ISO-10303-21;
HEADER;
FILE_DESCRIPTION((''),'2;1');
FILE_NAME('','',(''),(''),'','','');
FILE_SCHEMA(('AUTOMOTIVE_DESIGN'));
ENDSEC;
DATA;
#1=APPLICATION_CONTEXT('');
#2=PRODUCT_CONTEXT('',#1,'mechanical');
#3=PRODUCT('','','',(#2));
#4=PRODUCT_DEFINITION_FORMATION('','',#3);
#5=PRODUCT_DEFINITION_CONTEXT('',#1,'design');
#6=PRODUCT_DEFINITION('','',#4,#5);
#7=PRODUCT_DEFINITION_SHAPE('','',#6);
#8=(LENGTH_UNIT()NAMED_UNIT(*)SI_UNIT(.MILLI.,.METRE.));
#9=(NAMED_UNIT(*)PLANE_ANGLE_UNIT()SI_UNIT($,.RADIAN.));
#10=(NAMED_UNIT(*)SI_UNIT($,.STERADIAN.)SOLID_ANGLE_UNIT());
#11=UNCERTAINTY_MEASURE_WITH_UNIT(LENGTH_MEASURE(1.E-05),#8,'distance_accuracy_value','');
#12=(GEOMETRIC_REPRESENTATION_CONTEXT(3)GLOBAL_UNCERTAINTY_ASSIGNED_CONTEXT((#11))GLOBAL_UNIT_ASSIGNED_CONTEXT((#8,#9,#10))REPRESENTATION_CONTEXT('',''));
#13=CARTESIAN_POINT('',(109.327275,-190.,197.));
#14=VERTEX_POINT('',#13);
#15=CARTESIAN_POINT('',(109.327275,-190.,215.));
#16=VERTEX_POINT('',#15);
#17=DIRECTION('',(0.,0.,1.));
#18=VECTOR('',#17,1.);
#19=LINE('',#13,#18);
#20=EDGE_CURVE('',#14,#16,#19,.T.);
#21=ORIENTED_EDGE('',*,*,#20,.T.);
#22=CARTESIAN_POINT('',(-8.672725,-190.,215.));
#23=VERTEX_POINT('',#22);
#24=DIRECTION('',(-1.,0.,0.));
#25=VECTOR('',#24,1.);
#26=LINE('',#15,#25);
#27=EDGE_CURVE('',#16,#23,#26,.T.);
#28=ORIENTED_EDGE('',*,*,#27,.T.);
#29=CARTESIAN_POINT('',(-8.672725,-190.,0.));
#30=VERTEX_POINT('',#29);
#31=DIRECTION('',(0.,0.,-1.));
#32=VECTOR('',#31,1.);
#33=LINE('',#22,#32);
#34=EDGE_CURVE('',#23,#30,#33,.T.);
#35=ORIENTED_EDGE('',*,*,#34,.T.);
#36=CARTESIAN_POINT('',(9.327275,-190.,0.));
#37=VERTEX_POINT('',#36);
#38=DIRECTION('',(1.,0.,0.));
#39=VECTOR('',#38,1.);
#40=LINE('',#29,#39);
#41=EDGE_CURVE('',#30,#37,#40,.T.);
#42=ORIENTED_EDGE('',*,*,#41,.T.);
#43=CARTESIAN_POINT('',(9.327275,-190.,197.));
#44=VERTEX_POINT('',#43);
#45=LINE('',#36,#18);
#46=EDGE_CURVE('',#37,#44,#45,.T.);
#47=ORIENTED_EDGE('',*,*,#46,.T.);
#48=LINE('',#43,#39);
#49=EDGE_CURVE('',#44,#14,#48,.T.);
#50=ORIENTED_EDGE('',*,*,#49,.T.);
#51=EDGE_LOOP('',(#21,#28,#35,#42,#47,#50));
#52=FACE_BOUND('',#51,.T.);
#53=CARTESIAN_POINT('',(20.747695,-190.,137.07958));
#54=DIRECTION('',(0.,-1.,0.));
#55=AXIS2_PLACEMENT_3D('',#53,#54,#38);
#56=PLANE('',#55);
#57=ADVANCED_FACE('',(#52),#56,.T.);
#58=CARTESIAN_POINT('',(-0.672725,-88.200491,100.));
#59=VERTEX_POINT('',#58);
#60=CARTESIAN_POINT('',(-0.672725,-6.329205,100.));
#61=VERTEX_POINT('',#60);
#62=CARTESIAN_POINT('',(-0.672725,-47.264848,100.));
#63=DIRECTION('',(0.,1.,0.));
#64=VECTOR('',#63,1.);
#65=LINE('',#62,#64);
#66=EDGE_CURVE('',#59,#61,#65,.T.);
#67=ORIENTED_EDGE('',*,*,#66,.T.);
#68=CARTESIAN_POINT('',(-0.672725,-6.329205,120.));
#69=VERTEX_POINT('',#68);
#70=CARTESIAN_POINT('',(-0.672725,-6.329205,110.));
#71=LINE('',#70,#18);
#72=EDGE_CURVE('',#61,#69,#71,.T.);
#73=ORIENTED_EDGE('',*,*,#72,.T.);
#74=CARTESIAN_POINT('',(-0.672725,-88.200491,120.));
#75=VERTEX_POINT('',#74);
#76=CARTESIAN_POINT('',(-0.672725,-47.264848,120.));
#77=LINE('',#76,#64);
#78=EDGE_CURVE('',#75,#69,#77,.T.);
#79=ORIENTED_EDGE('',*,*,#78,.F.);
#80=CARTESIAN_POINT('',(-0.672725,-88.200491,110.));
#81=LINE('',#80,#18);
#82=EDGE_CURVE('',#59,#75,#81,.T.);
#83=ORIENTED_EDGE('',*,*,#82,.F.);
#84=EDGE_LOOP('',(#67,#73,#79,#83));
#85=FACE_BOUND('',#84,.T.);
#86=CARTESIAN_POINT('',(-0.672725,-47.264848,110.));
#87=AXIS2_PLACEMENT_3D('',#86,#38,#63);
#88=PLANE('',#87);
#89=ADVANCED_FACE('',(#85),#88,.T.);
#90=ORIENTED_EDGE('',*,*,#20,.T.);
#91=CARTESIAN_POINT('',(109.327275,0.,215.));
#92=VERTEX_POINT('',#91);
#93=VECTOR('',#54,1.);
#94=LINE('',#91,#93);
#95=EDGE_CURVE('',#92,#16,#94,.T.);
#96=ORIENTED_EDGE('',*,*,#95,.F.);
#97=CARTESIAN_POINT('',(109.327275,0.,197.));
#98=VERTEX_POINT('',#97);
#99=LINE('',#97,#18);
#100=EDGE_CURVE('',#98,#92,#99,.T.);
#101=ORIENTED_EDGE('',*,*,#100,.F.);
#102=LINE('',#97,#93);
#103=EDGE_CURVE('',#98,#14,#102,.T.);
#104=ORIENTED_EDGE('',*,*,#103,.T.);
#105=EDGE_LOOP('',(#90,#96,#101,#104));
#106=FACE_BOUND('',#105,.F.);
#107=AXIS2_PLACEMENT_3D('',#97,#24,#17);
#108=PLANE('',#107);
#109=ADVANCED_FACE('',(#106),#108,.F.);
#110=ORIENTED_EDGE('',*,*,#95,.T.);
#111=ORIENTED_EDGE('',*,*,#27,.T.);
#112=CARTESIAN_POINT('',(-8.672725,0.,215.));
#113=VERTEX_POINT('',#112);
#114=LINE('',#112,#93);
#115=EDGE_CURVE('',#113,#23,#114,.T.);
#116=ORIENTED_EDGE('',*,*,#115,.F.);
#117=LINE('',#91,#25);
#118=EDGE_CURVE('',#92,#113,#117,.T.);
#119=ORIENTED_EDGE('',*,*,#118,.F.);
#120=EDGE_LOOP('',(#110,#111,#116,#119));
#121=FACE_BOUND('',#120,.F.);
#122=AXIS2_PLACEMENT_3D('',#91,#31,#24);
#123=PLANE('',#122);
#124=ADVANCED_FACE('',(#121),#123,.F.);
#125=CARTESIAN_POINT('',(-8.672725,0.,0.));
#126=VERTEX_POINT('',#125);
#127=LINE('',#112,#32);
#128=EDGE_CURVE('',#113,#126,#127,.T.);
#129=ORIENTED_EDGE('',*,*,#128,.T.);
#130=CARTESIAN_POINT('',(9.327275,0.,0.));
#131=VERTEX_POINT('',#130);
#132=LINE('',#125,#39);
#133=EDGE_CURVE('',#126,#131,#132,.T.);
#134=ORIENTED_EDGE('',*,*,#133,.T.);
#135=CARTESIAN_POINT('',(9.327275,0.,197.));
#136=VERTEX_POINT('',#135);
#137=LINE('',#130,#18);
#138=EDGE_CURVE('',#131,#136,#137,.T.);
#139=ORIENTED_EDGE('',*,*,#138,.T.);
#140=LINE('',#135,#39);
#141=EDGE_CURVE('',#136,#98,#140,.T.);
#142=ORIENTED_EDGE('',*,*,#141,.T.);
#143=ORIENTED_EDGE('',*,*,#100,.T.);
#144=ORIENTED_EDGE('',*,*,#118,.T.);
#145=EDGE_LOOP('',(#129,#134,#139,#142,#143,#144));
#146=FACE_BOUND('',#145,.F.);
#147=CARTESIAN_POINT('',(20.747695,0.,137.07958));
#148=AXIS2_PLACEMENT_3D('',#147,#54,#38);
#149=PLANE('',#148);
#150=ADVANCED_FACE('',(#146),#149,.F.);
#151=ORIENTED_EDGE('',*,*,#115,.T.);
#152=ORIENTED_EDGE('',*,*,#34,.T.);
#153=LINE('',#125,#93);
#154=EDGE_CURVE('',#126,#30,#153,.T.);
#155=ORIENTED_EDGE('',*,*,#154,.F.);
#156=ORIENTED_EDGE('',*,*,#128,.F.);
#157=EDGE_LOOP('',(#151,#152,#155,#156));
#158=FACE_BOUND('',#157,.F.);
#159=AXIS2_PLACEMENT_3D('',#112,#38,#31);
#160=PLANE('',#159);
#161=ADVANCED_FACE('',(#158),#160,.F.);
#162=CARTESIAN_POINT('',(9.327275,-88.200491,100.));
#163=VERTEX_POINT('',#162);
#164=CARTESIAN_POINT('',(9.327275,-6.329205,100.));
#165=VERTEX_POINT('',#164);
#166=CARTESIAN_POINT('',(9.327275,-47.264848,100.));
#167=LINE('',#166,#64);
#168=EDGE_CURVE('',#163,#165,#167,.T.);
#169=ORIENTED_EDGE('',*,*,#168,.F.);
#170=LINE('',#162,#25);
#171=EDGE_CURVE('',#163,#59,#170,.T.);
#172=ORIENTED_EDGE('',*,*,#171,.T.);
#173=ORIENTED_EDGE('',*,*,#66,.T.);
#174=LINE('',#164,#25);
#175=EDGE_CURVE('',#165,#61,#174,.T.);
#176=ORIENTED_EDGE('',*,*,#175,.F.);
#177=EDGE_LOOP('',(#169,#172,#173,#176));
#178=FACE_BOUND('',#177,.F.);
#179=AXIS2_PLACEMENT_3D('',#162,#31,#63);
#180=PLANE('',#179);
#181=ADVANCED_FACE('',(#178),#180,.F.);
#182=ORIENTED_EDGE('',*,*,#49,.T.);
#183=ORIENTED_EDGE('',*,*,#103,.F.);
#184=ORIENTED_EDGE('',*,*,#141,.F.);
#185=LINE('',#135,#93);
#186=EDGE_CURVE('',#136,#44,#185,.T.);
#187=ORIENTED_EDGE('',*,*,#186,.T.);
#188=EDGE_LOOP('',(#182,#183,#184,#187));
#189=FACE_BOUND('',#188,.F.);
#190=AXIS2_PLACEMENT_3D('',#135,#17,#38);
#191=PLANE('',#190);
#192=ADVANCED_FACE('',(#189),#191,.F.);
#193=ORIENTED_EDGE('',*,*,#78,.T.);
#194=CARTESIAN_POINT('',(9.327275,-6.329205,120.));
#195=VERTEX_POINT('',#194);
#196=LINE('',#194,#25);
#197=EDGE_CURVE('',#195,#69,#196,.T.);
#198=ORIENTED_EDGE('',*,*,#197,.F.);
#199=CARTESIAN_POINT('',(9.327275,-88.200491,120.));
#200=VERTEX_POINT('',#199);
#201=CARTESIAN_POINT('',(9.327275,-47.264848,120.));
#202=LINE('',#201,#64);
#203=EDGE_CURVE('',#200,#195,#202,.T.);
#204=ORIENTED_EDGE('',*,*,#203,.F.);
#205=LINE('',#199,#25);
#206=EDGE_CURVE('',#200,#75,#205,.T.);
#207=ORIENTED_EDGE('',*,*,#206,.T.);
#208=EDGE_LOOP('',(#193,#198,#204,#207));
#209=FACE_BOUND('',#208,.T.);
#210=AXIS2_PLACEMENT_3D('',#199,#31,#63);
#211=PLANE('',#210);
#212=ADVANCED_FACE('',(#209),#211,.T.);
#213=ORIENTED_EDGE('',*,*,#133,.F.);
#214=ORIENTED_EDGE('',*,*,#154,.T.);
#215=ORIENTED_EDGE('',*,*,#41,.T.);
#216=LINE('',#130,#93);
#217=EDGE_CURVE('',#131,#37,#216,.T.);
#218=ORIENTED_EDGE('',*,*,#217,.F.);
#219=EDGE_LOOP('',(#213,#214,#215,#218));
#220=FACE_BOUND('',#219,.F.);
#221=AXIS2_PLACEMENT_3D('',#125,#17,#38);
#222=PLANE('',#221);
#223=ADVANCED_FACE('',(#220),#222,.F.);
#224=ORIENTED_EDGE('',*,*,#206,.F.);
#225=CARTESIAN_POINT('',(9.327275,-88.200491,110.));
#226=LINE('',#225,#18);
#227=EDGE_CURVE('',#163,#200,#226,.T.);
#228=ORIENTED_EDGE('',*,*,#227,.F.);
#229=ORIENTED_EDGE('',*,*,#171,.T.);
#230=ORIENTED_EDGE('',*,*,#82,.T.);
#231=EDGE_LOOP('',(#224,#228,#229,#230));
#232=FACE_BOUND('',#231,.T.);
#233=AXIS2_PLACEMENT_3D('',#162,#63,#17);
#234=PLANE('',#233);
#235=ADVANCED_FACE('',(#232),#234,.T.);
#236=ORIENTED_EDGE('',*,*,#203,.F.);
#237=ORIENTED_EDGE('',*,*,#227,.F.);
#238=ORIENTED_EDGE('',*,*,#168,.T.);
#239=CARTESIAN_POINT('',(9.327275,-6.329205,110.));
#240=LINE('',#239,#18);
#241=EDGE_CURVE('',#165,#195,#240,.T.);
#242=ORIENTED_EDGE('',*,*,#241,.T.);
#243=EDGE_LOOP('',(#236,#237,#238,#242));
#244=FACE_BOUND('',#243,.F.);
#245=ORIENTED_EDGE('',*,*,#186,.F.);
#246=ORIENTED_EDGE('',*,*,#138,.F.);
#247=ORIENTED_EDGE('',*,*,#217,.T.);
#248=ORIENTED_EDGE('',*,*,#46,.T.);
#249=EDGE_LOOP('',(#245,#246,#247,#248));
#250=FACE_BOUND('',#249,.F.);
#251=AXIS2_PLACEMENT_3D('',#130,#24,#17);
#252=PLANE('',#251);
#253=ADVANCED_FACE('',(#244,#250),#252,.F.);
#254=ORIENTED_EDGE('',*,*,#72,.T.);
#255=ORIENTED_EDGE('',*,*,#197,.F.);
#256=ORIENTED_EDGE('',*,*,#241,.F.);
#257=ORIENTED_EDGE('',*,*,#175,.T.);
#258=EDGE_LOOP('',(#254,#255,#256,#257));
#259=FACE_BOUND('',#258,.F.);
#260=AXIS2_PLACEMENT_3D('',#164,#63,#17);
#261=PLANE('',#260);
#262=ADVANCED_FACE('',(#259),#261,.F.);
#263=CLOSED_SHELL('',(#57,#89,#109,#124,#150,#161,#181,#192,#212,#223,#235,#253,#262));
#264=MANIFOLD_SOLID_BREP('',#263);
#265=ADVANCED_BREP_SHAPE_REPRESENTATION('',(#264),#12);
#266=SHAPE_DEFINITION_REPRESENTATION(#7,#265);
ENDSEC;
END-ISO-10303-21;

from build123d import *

# Parameters (mm, degrees)
F1_DEPTH = 190
F2_W     = 81.871287
F2_H     = 20
F3_DEPTH = 10


with BuildPart() as f1:
    # F0 (on Front) → F1 (new body)
    with BuildSketch(Plane.XZ):
        Polygon((-8.672725, 215), (-8.672725, 0), (9.327275, 0), (9.327275, 197), (109.327275, 197), (109.327275, 215), align=None)
    extrude(amount=F1_DEPTH)

    # F2 (on face) → F3 (cut)
    with BuildSketch(Plane.YZ.offset(9.327275)):
        with Locations((-47.264848, 110)):
            Rectangle(F2_W, F2_H)
    extrude(amount=-F3_DEPTH, mode=Mode.SUBTRACT)


solid = f1.part
